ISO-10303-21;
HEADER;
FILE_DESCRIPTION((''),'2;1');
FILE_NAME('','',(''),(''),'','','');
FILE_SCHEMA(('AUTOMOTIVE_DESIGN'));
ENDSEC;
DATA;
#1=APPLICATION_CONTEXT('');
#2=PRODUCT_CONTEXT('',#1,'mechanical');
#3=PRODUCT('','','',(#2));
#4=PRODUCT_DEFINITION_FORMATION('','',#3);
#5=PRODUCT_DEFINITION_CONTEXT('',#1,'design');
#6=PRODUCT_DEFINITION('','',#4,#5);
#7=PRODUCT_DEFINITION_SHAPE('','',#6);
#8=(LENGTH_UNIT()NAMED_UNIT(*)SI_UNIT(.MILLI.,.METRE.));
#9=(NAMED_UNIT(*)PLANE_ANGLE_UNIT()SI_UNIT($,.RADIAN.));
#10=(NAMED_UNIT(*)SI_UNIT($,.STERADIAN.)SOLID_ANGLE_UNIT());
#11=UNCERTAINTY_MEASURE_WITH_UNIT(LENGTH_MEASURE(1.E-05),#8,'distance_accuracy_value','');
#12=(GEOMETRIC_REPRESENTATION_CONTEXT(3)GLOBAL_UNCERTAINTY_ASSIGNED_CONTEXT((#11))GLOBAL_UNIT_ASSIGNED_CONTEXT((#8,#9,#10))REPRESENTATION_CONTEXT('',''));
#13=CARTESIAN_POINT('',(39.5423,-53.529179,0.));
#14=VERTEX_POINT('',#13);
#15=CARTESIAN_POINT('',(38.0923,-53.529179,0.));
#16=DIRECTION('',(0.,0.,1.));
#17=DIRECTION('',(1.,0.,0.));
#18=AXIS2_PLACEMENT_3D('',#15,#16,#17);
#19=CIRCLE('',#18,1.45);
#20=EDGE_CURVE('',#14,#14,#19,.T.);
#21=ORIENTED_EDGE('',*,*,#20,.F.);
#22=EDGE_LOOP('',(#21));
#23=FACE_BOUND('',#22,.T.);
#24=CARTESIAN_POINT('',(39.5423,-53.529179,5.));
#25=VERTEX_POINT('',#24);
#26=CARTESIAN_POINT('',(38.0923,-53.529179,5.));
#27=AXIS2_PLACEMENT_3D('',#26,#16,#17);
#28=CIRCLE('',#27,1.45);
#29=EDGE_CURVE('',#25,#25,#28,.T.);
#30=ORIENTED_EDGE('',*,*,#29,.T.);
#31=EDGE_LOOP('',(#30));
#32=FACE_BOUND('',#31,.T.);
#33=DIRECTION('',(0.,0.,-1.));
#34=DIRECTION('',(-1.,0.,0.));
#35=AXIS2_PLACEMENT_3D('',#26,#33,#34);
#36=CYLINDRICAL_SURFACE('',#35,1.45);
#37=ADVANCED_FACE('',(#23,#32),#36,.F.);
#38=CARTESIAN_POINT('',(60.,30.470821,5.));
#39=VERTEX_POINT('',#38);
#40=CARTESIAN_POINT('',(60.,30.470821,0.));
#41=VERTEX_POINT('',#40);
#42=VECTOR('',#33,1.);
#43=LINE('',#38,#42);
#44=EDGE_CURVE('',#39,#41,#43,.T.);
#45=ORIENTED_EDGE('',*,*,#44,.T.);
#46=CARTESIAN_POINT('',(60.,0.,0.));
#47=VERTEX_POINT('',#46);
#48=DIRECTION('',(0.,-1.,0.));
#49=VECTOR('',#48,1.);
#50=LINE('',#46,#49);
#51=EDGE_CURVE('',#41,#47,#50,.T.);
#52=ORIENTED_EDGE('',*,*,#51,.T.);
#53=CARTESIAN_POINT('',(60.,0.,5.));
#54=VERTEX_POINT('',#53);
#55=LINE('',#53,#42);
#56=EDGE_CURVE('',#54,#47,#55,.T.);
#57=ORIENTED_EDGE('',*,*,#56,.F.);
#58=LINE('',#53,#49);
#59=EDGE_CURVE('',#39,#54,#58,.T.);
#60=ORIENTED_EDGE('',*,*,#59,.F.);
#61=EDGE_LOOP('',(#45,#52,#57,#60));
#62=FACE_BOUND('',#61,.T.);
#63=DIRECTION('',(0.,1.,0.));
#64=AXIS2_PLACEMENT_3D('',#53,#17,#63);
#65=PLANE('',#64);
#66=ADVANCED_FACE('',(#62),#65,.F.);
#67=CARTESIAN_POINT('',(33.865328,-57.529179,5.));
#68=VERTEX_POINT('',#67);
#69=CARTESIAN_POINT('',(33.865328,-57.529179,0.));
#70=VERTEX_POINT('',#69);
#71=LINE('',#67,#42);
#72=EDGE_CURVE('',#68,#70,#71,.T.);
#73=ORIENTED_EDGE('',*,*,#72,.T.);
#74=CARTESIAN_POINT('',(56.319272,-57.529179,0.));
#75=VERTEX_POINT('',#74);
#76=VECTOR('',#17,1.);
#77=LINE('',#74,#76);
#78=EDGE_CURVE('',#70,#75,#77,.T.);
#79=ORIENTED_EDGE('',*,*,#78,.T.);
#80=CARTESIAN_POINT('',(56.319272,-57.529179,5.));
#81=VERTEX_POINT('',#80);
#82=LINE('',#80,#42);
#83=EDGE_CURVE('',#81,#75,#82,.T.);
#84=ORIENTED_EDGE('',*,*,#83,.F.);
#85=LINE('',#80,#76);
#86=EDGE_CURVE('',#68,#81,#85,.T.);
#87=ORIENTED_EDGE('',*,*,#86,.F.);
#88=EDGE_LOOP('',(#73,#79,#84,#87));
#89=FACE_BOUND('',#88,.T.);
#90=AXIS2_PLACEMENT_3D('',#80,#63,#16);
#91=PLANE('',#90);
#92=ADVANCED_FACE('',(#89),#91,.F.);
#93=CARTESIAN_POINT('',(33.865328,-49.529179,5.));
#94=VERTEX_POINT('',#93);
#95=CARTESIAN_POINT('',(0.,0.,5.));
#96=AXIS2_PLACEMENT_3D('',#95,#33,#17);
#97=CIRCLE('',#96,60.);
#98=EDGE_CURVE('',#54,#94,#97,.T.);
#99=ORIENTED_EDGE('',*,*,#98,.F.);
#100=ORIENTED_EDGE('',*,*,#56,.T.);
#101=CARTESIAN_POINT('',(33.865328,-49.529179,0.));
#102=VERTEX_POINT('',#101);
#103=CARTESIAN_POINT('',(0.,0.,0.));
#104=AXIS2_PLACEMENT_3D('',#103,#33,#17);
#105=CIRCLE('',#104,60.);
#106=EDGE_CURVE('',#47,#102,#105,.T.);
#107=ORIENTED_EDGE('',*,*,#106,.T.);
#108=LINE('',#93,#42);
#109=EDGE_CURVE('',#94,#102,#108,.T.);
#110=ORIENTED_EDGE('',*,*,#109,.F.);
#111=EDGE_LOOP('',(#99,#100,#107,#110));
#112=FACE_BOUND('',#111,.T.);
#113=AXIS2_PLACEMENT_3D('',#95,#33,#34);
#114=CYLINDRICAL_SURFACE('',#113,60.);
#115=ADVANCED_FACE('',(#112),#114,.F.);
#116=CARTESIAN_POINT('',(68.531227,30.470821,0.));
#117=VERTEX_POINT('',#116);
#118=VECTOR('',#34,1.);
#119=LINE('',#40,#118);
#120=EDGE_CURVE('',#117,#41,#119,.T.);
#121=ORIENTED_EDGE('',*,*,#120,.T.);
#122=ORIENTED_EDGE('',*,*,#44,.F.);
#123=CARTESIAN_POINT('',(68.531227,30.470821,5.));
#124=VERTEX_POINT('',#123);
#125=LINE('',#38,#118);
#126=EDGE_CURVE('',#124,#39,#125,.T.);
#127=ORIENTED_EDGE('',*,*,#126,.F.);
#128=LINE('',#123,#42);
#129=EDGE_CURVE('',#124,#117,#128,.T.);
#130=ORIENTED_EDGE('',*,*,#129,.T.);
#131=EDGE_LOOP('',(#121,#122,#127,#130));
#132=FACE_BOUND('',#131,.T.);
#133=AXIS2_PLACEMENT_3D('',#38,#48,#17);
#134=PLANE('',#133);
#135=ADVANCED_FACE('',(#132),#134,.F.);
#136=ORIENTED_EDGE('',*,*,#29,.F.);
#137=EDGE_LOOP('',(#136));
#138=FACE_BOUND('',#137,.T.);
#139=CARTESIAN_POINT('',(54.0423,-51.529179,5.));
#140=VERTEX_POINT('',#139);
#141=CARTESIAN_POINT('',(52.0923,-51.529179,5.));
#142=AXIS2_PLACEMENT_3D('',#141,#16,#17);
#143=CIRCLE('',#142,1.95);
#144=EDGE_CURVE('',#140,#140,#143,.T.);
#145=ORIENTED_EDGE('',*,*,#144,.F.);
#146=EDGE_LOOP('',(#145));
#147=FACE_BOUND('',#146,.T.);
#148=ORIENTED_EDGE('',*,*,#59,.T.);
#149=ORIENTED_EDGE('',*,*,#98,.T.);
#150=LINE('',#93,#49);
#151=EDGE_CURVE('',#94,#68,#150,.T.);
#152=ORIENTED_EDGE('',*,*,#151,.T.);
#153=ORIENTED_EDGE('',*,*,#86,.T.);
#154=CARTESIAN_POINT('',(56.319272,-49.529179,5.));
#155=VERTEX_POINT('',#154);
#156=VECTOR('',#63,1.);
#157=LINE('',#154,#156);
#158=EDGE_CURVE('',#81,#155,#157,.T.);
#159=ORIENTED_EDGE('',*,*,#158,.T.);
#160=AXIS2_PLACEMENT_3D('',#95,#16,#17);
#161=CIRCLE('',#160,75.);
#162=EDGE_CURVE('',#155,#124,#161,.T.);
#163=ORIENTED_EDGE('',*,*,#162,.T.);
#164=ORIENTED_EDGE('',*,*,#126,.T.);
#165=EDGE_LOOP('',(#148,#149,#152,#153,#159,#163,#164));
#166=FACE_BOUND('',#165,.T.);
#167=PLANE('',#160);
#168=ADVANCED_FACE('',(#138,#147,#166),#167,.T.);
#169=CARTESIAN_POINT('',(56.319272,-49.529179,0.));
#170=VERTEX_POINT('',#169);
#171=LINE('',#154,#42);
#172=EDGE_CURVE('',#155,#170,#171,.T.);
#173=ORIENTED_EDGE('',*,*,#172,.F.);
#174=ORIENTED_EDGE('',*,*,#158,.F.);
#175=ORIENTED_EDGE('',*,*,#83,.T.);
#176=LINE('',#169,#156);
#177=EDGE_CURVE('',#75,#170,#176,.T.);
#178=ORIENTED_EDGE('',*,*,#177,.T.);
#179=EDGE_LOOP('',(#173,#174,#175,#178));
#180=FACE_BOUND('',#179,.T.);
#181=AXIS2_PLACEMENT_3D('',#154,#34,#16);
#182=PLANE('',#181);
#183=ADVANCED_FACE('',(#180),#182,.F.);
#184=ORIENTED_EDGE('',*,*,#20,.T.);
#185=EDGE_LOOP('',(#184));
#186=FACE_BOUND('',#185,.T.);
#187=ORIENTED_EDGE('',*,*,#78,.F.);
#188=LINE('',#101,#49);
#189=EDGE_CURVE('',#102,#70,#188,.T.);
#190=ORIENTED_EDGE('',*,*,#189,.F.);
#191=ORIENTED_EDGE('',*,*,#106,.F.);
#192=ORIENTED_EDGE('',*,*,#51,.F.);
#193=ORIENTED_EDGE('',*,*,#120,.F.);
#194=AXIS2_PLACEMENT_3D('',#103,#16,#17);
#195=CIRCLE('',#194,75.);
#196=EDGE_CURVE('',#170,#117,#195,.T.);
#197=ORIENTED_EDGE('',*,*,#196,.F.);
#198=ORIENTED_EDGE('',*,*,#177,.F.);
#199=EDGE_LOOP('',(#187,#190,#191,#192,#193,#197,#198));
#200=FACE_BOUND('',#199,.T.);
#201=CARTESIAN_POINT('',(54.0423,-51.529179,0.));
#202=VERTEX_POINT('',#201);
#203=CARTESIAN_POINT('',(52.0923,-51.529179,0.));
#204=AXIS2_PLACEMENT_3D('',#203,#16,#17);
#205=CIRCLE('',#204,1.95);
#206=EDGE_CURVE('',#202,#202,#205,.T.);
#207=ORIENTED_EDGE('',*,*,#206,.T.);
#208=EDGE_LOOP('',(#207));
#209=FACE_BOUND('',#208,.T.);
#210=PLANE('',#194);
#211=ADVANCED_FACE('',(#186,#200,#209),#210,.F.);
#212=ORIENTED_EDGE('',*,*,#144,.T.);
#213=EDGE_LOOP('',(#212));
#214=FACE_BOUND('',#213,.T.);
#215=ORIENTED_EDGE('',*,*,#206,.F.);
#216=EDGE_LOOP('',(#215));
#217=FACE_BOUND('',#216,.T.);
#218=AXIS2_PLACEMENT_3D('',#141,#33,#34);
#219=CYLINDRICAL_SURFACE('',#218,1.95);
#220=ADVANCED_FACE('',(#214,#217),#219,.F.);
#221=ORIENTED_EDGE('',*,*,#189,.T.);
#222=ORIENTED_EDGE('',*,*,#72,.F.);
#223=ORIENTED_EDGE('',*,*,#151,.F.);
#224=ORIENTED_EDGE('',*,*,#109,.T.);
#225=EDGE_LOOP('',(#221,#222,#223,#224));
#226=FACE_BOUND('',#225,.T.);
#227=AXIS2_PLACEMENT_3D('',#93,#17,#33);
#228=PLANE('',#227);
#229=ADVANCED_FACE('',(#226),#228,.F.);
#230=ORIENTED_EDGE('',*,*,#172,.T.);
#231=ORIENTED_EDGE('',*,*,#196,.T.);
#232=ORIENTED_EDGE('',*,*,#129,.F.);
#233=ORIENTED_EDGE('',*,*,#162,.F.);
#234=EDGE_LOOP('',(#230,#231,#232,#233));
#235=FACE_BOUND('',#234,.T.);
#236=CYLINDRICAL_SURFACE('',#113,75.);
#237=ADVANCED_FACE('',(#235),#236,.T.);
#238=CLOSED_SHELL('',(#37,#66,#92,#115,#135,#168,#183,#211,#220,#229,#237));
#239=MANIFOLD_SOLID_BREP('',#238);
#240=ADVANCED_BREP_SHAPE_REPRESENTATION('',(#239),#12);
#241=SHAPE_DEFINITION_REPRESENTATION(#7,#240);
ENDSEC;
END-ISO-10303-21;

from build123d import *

# Parameters (mm, degrees)
SKETCH1_R           = 1.45
SKETCH1_R_2         = 1.95
BOSS_EXTRUDE1_DEPTH = 5


with BuildPart() as part:
    # Sketch1 → Boss-Extrude1 (new body)
    with BuildSketch(Plane.XY):
        with BuildLine():
            Line((60, 30.470821026), (68.531226941, 30.470821026))
            ThreePointArc((68.531226941, 30.470821026), (74.141161233, -11.317606244), (56.31927228, -49.529178974))
            Line((56.31927228, -49.529178974), (56.31927228, -57.529178974))
            Line((56.31927228, -57.529178974), (33.865327846, -57.529178974))
            Line((33.865327846, -57.529178974), (33.865327846, -49.529178974))
            ThreePointArc((33.865327846, -49.529178974), (53.065618204, -28.000717216), (60, 0))
            Line((60, 0), (60, 30.470821026))
        make_face()
        with Locations((38.092300063, -53.529178974)):
            Circle(SKETCH1_R, mode=Mode.SUBTRACT)
        with Locations((52.092300063, -51.529178974)):
            Circle(SKETCH1_R_2, mode=Mode.SUBTRACT)
    extrude(amount=BOSS_EXTRUDE1_DEPTH)


solid = part.part
